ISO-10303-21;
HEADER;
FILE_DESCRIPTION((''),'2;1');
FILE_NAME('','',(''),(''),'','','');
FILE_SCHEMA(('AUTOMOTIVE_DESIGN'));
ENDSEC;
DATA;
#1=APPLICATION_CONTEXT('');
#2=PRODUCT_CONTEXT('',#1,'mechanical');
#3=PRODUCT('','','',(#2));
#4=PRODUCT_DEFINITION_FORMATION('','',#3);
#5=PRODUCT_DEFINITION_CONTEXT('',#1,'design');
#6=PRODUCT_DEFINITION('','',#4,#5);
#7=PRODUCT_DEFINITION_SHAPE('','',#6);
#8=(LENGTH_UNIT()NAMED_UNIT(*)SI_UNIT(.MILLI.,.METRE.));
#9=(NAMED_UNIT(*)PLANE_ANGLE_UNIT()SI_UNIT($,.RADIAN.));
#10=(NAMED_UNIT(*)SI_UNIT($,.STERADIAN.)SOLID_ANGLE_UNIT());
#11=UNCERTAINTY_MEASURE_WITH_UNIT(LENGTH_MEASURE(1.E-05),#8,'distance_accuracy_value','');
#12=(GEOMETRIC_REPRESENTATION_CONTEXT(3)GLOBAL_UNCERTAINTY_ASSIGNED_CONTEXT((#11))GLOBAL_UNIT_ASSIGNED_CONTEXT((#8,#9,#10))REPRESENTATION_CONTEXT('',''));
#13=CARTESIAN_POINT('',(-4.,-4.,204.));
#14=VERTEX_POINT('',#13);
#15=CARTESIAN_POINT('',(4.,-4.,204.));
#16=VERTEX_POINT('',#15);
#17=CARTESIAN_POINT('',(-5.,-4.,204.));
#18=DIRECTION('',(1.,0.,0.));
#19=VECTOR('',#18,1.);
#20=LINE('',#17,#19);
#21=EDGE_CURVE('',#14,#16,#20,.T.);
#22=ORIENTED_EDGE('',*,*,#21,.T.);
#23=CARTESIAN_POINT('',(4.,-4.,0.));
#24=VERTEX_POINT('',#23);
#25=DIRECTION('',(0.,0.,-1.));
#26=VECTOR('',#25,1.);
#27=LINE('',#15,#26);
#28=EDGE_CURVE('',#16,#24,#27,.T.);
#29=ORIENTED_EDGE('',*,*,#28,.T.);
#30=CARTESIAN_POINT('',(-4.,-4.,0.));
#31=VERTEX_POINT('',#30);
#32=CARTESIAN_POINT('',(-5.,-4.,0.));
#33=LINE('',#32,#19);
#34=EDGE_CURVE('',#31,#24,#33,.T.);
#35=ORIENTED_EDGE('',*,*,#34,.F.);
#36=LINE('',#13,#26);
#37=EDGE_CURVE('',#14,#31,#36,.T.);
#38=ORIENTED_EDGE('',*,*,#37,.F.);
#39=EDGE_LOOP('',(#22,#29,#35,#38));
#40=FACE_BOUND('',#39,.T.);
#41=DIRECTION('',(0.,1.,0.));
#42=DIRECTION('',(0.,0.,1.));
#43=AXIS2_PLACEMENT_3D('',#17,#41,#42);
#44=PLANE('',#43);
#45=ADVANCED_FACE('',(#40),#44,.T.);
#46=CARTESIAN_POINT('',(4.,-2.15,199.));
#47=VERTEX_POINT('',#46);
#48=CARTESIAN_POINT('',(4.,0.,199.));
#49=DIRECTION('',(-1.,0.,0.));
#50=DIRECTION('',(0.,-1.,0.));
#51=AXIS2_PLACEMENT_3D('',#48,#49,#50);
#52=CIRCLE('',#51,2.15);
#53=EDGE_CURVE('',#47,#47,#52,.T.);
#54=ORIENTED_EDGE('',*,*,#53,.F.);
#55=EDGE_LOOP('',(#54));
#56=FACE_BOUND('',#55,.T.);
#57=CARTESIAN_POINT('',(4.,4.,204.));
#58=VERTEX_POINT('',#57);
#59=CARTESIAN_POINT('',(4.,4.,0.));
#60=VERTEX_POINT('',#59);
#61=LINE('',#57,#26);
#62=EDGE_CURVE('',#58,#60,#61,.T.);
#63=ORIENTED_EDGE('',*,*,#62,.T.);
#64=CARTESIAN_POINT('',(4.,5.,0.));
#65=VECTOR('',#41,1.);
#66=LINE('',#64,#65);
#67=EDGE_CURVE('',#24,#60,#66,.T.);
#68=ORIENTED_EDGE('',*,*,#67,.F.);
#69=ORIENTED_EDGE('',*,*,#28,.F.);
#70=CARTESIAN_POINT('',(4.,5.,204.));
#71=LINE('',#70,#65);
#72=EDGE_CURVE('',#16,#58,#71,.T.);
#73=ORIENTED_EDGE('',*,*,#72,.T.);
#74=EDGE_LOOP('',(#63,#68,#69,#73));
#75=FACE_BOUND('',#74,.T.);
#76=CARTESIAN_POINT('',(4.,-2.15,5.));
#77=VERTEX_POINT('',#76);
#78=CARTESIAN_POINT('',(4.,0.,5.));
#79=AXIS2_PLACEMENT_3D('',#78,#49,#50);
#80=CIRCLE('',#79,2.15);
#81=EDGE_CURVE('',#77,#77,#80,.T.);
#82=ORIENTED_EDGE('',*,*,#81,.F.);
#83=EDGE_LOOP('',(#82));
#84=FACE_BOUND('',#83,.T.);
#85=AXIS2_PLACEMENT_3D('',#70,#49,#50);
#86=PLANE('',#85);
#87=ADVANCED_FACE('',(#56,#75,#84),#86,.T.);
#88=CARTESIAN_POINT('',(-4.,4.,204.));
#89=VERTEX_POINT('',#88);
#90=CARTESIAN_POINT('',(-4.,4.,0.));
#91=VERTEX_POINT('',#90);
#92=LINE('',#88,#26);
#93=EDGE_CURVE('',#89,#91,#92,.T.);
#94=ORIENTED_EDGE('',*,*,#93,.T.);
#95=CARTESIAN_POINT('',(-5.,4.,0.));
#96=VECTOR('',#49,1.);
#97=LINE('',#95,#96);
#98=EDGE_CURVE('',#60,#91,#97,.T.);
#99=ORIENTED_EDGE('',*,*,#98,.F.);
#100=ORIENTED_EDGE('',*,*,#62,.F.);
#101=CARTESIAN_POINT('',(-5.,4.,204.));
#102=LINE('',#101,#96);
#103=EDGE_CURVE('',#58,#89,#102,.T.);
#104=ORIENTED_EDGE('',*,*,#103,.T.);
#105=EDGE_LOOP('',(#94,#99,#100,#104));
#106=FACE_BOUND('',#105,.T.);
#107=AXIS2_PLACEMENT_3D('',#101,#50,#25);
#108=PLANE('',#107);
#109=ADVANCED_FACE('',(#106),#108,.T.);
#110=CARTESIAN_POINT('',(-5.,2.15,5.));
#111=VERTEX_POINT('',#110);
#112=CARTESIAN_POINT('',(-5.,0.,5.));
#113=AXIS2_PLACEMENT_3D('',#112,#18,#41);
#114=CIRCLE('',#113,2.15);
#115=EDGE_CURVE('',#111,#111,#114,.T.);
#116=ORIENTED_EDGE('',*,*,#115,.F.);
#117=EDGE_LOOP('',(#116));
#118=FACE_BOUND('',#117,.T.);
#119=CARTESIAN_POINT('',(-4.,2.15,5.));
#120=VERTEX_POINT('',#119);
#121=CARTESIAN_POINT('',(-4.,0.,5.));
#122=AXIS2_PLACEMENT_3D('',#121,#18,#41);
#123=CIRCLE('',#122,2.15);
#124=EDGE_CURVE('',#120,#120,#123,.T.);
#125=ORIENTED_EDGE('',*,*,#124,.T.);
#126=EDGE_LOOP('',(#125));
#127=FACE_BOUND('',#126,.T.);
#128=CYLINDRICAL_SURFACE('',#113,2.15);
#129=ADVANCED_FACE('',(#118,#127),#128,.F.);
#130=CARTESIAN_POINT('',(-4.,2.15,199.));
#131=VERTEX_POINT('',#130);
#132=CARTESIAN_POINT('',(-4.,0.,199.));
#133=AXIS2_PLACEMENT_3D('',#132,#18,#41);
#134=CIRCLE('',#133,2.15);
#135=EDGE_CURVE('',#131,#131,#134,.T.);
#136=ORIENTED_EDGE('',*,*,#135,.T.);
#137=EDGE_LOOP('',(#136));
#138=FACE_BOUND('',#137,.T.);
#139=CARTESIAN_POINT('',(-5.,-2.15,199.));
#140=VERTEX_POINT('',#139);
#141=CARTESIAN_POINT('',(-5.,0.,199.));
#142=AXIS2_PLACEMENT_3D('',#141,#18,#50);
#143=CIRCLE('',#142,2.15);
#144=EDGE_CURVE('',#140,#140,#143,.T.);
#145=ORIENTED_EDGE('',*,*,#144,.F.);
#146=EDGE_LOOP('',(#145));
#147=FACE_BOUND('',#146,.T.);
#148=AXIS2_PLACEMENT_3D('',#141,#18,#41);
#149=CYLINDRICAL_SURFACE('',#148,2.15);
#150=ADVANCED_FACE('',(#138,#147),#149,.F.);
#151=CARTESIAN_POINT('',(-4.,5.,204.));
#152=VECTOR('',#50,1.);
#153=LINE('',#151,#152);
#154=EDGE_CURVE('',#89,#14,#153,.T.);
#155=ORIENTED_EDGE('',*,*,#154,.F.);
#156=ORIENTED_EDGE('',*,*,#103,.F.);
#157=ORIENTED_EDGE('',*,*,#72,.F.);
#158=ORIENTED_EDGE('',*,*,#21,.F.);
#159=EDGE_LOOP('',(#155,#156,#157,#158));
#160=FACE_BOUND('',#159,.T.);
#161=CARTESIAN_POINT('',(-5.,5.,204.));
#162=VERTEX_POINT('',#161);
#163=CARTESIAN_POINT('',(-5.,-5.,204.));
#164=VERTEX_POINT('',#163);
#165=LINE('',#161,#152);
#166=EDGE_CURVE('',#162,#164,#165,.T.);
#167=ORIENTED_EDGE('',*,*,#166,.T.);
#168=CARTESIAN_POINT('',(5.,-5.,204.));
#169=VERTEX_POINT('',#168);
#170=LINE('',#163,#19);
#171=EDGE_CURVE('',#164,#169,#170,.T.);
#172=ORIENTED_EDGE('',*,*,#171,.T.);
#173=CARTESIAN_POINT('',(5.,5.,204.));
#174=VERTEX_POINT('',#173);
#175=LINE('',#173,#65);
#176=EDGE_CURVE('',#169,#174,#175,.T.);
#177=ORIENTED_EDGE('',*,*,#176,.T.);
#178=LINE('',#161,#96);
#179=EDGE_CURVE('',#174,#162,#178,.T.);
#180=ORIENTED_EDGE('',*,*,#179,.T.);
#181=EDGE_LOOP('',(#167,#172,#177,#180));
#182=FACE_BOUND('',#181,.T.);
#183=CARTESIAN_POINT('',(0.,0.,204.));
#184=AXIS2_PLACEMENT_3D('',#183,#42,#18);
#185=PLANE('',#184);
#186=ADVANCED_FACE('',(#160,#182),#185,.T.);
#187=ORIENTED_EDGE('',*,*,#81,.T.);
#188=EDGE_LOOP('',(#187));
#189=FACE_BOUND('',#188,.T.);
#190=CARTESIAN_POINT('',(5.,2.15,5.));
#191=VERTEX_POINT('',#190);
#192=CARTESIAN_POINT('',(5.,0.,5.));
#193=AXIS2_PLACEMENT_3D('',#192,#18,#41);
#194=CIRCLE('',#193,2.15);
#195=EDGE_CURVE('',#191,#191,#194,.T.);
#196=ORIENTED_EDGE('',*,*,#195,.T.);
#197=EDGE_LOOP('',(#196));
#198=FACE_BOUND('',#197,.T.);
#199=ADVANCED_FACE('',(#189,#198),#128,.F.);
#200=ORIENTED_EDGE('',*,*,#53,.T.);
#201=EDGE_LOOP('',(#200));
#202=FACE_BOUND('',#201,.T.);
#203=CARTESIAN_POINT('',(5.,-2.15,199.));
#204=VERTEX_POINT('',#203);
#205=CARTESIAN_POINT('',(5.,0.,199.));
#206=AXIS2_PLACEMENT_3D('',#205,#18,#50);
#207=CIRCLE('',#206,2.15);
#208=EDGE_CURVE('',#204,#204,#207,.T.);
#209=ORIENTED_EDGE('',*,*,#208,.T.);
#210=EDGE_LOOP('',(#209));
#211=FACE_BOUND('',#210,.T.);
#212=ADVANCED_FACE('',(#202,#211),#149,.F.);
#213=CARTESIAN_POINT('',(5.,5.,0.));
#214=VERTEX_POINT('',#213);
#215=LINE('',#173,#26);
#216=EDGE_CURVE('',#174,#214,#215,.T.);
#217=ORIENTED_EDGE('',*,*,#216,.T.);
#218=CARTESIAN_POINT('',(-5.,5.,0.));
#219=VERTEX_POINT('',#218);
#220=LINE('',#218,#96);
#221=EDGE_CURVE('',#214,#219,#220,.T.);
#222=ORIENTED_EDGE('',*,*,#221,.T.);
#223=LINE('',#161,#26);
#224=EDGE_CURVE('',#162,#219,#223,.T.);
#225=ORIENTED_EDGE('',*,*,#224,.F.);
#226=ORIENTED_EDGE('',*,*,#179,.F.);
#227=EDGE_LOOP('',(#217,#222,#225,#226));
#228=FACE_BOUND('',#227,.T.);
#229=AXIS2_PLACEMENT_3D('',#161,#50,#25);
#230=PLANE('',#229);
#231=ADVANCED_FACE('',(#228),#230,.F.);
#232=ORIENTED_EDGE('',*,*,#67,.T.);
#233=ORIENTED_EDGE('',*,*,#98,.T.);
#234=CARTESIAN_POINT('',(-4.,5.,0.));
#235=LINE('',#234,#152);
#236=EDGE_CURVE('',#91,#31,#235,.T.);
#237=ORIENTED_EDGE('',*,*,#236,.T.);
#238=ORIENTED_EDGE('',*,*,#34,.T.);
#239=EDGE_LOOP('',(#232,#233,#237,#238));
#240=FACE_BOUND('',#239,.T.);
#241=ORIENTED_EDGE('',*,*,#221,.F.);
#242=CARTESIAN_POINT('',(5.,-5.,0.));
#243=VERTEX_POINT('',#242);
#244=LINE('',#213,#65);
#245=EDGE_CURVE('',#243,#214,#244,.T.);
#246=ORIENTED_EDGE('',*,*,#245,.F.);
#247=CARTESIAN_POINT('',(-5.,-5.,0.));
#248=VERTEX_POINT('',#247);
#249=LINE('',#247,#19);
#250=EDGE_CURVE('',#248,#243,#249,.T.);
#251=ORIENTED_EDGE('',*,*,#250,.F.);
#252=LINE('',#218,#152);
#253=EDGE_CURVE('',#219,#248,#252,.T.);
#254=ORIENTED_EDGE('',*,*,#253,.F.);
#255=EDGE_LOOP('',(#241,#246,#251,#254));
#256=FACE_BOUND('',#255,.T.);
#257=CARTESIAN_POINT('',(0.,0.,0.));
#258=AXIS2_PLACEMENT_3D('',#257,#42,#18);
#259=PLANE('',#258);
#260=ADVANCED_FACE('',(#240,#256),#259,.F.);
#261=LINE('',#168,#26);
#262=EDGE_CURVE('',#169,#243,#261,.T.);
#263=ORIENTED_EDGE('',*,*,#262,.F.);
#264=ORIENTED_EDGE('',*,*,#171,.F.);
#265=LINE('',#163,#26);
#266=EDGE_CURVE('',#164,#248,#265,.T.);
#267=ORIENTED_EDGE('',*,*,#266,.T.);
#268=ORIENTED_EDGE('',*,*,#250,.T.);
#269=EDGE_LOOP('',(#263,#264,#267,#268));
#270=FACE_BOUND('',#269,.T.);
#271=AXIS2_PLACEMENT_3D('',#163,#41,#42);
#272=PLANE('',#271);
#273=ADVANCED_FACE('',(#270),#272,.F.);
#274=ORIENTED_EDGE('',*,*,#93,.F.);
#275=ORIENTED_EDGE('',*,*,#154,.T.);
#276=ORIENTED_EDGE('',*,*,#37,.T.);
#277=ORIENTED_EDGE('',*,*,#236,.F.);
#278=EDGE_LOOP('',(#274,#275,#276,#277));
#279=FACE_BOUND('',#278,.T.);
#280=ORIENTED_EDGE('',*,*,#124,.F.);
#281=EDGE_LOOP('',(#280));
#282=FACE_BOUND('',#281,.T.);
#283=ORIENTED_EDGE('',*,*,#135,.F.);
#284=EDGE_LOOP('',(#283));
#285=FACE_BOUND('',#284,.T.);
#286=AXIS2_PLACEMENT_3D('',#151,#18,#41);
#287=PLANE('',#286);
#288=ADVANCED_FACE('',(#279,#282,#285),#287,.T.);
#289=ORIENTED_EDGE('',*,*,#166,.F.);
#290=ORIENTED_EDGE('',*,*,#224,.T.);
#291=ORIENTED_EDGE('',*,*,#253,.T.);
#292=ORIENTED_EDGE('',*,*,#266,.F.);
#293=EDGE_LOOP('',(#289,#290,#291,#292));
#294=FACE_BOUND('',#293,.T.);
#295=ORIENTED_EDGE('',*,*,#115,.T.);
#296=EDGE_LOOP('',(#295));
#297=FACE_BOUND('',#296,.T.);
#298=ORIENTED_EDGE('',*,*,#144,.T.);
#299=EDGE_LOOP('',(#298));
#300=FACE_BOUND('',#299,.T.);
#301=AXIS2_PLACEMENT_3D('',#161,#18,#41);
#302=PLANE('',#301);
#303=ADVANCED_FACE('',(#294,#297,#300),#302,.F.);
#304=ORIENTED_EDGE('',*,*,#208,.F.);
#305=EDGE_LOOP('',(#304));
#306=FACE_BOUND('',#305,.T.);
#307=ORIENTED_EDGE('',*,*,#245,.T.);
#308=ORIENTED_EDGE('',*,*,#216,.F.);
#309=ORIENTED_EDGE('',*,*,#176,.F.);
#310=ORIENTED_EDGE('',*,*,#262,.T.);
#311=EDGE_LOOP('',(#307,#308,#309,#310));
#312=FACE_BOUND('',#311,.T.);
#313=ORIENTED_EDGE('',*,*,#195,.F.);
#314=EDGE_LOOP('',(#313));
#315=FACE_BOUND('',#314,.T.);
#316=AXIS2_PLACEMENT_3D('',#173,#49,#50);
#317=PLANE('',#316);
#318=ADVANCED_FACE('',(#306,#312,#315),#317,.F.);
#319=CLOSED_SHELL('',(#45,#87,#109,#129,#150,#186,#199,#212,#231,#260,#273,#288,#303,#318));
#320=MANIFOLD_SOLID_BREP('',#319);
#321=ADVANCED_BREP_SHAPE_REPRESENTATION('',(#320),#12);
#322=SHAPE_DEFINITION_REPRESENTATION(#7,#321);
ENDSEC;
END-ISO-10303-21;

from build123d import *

# Parameters (mm, degrees)
SKETCH_1_W          = 10
SKETCH_1_H          = 10
SKETCH_1_W_2        = 8
SKETCH_1_H_2        = 8
EXTRUDE_1_DEPTH     = 204
SKETCH_2_R          = 2.15
CUT_EXTRUDE_1_DEPTH = 205.306142835


with BuildPart() as part:
    # ｽｹｯﾁ1 → 押し出し-薄板1 (new body)
    with BuildSketch(Plane.XY):
        Rectangle(SKETCH_1_W, SKETCH_1_H)
        Rectangle(SKETCH_1_W_2, SKETCH_1_H_2, mode=Mode.SUBTRACT)
    extrude(amount=EXTRUDE_1_DEPTH)

    # ｽｹｯﾁ2 → ｶｯﾄ - 押し出し1 (cut, through all)
    with BuildSketch(Plane(origin=(5, 0, 0), x_dir=(0, 0, -1), z_dir=(1, 0, 0))):
        with Locations(Location((-5, 0, 0), (0, 0, 90))):
            Circle(SKETCH_2_R)
        with Locations(Location((-199, 0, 0), (0, 0, 90))):
            Circle(SKETCH_2_R)
    extrude(amount=-CUT_EXTRUDE_1_DEPTH, mode=Mode.SUBTRACT)


solid = part.part
